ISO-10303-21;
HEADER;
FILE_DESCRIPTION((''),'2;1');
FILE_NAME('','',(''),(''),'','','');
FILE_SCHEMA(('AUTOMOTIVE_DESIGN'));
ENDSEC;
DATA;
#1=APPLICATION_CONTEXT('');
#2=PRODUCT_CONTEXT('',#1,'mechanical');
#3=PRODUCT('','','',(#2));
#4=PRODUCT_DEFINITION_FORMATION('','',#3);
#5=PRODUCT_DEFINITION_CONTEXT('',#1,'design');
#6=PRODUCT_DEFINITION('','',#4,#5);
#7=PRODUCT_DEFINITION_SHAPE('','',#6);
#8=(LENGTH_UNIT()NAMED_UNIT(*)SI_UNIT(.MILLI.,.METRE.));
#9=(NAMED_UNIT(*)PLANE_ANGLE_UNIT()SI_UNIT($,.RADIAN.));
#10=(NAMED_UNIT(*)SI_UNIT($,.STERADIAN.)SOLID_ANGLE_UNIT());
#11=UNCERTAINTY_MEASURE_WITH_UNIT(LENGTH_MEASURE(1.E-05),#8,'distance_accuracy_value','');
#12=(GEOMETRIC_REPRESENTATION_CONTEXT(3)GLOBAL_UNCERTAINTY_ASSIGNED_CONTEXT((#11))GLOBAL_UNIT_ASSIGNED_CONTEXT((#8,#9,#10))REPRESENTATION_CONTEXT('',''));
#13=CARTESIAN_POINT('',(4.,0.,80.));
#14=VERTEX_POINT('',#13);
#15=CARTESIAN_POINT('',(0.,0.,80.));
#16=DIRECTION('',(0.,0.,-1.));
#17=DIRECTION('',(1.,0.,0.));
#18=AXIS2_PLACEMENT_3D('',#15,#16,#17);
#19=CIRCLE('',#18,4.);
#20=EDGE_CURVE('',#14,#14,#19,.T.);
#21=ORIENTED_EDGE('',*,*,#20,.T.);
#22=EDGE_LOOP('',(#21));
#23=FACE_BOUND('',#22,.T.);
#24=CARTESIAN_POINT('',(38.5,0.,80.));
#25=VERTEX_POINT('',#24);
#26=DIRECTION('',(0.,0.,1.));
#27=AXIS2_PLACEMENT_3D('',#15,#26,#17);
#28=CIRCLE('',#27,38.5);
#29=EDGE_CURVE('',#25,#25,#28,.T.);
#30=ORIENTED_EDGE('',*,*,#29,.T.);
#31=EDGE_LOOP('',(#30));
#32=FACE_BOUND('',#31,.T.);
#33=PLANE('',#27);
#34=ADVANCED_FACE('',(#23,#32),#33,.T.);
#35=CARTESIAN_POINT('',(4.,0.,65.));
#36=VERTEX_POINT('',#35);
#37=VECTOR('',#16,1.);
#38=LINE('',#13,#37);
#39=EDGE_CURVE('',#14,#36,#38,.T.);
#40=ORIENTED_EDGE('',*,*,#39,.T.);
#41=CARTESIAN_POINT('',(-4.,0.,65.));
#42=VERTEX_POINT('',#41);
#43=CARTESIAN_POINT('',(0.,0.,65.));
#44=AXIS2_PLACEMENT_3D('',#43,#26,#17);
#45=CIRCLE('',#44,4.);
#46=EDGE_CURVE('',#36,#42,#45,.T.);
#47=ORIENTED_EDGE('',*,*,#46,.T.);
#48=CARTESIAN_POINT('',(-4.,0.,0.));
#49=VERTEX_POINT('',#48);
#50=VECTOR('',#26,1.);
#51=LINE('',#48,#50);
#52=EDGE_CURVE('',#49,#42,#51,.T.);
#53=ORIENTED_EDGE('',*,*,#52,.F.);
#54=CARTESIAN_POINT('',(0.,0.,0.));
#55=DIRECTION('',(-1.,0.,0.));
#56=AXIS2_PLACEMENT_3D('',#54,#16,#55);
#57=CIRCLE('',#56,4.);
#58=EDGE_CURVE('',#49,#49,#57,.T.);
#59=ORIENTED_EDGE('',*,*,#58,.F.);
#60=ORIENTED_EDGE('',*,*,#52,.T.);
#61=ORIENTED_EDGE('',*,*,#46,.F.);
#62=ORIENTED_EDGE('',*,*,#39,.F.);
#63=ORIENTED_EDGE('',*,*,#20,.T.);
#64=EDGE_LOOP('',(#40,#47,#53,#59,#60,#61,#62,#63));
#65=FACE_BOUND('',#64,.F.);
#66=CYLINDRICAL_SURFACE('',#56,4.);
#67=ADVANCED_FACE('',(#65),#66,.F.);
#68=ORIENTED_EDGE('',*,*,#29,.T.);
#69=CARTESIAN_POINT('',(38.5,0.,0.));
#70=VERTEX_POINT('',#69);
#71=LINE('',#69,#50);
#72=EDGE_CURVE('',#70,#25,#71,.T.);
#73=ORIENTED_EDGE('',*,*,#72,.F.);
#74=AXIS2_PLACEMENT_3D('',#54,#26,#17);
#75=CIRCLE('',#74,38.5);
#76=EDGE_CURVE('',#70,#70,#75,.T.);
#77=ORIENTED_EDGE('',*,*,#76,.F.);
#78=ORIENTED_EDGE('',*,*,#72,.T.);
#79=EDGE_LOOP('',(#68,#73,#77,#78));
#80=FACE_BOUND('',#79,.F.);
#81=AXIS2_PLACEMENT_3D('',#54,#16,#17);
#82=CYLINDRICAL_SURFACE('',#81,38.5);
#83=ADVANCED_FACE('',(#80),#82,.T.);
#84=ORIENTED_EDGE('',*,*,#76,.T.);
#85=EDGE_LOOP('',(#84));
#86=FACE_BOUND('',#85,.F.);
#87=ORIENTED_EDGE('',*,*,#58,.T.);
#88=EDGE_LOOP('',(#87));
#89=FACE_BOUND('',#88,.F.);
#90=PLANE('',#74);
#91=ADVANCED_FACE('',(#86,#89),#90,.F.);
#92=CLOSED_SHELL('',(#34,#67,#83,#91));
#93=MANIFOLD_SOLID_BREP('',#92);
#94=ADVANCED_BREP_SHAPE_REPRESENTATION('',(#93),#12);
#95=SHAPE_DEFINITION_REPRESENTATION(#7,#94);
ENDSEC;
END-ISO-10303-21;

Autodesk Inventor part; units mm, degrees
ref_plane "YZ Plane" through (0, 0, 0) normal (1, 0, 0) x (0, 1, 0)
ref_plane "XZ Plane" through (0, 0, 0) normal (0, 1, 0) x (-1, 0, 0)
ref_plane "XY Plane" through (0, 0, 0) normal (0, 0, 1) x (1, 0, 0)
sketch "Sketch1" plane through (0, 0, 0) normal (0, 0, 1) x (1, 0, 0)
  point P0 (0, 0)
sketch "Sketch2" plane through (0, 0, 0) normal (0, 0, 1) x (1, 0, 0)
  point P0 (0, 0)
sketch "Sketch3" plane through (0, 0, 0) normal (0, 0, 1) x (1, 0, 0)
  circle A0 centre (0, 0) radius 38.5
  dimension "d0" = 77
extrude "Extrusion1" add sketch "Sketch3" along normal blind 80
sketch "Sketch4" plane through (0, 0, 80) normal (0, 0, 1) x (1, 0, 0)
  circle A0 centre (0, 0) radius 4
  dimension "d3" = 8
extrude "Extrusion2" cut sketch "Sketch4" against normal blind 15
sketch "Sketch5" plane through (0, 0, 80) normal (0, 0, 1) x (1, 0, 0)
  point P0 (0, 0)
sketch "Sketch6" plane through (0, 0, 0) normal (0, 0, -1) x (-1, 0, 0)
  circle A0 centre (0, 0) radius 4 projected
  circle A1 centre (0, 0) radius 4
  dimension "d6" = 8
extrude "Extrusion3" cut sketch "Sketch6" against normal blind 150
properties part number "roller of 4 cm"
